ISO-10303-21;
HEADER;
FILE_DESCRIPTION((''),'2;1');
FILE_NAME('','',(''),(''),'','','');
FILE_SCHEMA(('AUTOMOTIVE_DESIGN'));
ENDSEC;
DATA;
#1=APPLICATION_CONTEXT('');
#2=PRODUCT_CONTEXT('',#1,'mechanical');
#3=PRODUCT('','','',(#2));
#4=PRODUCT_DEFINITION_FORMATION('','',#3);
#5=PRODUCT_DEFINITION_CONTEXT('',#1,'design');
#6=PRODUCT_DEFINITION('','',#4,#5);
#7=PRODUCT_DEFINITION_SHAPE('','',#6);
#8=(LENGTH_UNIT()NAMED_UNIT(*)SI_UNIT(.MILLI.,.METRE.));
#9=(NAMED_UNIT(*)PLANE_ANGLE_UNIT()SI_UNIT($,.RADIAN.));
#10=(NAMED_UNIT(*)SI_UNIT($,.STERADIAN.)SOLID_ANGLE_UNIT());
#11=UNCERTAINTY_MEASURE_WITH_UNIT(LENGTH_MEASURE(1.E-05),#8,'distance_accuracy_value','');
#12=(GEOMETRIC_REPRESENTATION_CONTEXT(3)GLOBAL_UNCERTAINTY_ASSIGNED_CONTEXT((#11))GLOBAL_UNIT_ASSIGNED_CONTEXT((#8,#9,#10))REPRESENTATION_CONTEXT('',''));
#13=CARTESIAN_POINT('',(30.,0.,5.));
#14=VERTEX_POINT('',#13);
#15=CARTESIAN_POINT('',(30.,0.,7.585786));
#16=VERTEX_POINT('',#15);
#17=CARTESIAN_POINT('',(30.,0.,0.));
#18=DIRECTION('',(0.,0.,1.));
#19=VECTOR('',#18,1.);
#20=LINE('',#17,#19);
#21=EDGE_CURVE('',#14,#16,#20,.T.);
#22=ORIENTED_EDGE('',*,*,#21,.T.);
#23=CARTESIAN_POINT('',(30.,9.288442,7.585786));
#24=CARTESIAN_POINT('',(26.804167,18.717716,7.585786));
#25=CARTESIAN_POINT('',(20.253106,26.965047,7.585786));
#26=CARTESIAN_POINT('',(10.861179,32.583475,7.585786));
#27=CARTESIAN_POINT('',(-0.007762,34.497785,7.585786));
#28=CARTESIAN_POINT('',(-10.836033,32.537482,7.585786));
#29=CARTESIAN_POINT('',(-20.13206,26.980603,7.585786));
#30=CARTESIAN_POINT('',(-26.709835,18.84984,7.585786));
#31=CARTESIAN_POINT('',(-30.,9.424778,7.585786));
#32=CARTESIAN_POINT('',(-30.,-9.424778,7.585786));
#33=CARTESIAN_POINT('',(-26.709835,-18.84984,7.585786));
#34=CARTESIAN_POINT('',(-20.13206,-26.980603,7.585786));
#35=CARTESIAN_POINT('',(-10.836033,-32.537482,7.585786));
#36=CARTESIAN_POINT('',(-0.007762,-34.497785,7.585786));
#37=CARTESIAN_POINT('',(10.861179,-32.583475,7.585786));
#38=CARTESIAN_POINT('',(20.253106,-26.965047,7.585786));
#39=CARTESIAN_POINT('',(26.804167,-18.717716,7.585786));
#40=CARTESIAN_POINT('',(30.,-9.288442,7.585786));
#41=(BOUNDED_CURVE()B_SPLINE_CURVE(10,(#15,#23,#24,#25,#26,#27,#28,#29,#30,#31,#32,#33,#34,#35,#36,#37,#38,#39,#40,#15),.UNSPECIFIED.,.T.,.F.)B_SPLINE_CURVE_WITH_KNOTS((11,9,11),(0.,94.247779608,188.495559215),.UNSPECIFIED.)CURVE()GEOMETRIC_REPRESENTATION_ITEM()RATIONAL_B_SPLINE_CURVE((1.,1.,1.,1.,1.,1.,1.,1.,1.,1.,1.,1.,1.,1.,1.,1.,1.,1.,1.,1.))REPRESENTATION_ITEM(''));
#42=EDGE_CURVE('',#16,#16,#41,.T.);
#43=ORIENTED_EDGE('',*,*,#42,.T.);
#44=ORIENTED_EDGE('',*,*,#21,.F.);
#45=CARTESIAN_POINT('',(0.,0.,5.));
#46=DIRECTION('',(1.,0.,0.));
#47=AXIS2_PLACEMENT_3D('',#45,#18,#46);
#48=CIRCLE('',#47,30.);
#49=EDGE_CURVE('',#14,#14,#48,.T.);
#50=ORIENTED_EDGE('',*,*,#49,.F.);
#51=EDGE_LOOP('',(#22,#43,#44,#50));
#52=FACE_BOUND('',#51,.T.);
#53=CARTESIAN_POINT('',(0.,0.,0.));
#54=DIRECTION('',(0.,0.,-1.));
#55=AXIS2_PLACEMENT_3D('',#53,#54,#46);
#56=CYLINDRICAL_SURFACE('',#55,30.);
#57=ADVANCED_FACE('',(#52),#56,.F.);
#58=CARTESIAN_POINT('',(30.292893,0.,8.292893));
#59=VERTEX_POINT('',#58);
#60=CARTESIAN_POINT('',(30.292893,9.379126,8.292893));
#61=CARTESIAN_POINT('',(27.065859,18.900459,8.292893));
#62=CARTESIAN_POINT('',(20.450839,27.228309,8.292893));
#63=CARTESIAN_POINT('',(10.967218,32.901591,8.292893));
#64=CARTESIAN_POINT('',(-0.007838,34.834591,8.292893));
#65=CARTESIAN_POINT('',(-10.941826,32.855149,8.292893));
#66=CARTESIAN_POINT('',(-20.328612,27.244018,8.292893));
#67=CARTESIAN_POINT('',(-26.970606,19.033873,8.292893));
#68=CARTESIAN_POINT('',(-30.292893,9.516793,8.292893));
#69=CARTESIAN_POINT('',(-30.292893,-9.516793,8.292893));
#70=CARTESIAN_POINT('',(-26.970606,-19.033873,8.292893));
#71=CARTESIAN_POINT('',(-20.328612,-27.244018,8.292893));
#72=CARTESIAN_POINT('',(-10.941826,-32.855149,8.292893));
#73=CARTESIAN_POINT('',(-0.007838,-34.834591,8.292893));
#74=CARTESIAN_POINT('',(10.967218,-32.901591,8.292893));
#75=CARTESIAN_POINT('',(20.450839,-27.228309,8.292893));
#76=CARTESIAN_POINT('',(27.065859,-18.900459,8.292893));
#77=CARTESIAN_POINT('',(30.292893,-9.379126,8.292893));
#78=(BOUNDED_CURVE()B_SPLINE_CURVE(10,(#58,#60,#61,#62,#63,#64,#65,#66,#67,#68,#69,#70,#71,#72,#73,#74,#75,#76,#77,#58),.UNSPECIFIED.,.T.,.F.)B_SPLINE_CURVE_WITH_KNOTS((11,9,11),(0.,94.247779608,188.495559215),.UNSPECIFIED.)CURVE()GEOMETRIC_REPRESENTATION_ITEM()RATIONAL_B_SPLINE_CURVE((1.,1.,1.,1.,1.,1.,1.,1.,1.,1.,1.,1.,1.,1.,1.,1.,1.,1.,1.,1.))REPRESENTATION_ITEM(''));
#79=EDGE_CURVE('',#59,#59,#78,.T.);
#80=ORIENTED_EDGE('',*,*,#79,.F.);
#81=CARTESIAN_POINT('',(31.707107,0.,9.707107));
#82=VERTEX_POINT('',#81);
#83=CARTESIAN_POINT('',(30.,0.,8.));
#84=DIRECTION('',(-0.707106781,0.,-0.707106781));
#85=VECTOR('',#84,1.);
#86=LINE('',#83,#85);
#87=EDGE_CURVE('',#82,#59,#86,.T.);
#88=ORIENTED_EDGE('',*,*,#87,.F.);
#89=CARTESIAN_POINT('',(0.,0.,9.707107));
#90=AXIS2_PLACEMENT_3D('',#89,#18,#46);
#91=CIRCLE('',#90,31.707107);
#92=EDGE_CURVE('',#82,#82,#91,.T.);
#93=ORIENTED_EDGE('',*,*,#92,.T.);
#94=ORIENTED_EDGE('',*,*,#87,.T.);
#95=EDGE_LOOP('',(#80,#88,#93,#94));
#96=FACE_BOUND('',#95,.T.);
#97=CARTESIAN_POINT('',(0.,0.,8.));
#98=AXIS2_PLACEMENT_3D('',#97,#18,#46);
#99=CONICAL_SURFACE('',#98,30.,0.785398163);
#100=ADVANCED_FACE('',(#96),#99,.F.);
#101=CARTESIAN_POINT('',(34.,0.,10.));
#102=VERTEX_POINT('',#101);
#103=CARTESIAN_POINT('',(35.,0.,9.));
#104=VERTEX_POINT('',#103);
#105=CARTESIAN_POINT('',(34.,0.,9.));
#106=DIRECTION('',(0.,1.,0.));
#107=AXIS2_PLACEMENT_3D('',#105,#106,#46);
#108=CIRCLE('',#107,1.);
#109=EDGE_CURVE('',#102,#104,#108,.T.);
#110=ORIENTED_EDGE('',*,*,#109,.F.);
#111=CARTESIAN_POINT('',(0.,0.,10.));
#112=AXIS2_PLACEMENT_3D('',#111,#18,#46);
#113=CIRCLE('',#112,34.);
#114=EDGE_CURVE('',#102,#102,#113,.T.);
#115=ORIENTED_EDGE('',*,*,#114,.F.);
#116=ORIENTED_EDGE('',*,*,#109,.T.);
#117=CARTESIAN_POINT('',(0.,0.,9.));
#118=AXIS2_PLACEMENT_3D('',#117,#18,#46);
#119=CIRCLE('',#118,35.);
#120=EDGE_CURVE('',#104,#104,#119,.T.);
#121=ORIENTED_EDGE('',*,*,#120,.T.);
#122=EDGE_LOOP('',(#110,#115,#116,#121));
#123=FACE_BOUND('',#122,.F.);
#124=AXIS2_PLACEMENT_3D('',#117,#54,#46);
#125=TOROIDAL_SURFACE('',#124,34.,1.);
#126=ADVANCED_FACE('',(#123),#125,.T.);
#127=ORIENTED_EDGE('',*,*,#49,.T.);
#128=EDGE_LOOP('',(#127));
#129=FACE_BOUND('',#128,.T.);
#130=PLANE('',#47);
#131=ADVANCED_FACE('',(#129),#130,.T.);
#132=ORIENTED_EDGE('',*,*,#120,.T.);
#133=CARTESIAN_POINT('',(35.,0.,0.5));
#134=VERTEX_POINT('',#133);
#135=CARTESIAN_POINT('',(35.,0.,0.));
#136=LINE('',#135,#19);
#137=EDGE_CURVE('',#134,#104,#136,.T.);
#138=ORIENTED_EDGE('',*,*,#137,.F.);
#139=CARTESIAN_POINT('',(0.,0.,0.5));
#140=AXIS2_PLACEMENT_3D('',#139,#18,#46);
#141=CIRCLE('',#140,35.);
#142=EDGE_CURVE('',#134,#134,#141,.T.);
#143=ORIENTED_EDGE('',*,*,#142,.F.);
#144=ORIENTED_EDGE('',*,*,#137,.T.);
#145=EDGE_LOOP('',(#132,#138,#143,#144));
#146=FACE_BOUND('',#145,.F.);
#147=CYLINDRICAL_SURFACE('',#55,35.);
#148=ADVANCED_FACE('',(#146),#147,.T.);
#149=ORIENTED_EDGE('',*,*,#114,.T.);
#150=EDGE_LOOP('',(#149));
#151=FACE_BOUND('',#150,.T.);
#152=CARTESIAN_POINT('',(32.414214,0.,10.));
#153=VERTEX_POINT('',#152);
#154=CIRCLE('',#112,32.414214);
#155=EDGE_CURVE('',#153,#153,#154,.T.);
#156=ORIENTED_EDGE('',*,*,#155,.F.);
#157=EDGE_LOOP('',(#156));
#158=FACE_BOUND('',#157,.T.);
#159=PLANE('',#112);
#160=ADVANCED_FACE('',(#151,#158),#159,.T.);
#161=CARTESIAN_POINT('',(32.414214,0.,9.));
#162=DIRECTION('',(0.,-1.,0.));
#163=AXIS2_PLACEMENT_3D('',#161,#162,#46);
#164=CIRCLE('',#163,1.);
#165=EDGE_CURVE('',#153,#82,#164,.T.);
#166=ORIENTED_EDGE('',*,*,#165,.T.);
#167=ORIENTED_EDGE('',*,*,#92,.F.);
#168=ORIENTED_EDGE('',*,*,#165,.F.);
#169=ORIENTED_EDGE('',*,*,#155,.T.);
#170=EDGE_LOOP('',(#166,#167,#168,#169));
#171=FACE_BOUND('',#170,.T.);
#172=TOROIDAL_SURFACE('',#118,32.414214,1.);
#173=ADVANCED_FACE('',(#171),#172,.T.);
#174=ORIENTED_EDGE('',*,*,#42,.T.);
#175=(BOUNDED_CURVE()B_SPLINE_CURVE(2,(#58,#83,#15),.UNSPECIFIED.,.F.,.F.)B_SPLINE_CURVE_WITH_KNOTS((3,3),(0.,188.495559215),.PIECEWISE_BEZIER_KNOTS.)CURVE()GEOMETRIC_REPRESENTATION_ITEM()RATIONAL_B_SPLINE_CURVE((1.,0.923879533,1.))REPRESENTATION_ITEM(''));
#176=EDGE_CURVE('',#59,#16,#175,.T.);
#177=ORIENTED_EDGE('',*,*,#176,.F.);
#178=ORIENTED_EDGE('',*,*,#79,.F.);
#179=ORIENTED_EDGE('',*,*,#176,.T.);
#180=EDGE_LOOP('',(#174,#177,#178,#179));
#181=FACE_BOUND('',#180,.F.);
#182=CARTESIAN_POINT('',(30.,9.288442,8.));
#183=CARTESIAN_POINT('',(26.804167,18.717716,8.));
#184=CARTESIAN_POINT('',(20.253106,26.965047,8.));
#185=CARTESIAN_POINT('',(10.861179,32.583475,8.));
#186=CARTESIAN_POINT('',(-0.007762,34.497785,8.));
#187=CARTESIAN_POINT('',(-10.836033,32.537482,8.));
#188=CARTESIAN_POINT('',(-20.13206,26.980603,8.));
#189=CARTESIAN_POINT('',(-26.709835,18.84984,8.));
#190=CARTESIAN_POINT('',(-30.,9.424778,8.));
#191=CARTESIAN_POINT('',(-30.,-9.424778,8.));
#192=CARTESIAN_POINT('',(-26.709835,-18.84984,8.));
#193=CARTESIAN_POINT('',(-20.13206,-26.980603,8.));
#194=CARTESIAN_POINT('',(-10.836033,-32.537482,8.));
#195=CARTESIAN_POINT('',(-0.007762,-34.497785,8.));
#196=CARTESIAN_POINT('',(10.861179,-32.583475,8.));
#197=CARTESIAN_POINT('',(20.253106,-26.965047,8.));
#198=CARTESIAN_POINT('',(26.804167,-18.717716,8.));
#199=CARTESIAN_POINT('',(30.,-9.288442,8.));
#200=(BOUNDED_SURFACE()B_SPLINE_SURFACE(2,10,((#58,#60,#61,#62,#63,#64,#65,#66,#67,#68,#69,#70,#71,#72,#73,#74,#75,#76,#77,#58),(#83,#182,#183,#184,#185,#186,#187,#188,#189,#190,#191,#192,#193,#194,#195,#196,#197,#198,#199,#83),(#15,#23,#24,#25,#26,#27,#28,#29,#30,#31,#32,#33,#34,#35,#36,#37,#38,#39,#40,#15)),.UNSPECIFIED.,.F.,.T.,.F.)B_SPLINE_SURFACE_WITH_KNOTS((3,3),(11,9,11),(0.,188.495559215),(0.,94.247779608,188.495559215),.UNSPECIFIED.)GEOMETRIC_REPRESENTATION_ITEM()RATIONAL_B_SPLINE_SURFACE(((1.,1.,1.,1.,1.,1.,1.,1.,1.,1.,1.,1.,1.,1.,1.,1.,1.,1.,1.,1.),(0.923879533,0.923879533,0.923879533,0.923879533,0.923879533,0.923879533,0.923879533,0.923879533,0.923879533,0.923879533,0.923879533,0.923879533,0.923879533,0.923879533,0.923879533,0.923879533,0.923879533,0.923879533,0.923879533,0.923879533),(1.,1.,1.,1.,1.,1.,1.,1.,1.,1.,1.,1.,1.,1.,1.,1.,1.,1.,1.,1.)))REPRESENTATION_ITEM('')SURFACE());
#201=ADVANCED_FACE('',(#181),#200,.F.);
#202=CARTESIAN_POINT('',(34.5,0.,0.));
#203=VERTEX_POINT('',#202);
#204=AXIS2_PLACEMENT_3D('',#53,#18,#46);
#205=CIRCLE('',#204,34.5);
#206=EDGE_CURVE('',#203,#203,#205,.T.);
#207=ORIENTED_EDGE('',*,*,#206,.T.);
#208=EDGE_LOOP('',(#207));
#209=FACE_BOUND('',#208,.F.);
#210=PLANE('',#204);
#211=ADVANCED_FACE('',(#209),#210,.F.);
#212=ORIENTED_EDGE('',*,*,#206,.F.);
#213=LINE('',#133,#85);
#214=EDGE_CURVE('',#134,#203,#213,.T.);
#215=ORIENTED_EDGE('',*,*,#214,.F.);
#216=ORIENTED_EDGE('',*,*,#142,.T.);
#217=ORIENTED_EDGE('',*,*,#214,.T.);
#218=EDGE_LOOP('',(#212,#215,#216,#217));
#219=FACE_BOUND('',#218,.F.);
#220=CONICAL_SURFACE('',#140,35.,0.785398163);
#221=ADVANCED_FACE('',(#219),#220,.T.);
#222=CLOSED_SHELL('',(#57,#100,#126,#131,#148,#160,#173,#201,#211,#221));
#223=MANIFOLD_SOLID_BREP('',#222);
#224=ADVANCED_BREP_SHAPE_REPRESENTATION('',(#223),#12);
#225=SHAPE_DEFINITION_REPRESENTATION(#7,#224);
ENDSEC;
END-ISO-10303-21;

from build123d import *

# Parameters (mm, degrees)
F0_R     = 30
F1_DEPTH = 5
F0_R_2   = 35
F2_DEPTH = 10
F3_SIZE  = 2
F4_R     = 1
F5_SIZE  = 0.5


with BuildPart() as f1:
    # F0 (on Top) → F1 (new body)
    with BuildSketch(Plane.XY):
        Circle(F0_R)
    extrude(amount=F1_DEPTH)

    # F0 (on Top) → F2 (join)
    with BuildSketch(Plane.XY):
        Circle(F0_R_2)
        Circle(F0_R, mode=Mode.SUBTRACT)
    extrude(amount=F2_DEPTH)

    # F3
    f3_edges = [f1.edges().sort_by_distance(p)[0] for p in [
        (-30, 0, 10),
    ]]
    chamfer(f3_edges, length=F3_SIZE)

    # F4
    f4_edges = [f1.edges().sort_by_distance(p)[0] for p in [
        (-30, 0, 8),
        (-32, 0, 10),
        (-35, 0, 10),
    ]]
    fillet(f4_edges, radius=F4_R)

    # F5
    f5_edges = [f1.edges().sort_by_distance(p)[0] for p in [
        (-35, 0, 0),
    ]]
    chamfer(f5_edges, length=F5_SIZE)


solid = f1.part
